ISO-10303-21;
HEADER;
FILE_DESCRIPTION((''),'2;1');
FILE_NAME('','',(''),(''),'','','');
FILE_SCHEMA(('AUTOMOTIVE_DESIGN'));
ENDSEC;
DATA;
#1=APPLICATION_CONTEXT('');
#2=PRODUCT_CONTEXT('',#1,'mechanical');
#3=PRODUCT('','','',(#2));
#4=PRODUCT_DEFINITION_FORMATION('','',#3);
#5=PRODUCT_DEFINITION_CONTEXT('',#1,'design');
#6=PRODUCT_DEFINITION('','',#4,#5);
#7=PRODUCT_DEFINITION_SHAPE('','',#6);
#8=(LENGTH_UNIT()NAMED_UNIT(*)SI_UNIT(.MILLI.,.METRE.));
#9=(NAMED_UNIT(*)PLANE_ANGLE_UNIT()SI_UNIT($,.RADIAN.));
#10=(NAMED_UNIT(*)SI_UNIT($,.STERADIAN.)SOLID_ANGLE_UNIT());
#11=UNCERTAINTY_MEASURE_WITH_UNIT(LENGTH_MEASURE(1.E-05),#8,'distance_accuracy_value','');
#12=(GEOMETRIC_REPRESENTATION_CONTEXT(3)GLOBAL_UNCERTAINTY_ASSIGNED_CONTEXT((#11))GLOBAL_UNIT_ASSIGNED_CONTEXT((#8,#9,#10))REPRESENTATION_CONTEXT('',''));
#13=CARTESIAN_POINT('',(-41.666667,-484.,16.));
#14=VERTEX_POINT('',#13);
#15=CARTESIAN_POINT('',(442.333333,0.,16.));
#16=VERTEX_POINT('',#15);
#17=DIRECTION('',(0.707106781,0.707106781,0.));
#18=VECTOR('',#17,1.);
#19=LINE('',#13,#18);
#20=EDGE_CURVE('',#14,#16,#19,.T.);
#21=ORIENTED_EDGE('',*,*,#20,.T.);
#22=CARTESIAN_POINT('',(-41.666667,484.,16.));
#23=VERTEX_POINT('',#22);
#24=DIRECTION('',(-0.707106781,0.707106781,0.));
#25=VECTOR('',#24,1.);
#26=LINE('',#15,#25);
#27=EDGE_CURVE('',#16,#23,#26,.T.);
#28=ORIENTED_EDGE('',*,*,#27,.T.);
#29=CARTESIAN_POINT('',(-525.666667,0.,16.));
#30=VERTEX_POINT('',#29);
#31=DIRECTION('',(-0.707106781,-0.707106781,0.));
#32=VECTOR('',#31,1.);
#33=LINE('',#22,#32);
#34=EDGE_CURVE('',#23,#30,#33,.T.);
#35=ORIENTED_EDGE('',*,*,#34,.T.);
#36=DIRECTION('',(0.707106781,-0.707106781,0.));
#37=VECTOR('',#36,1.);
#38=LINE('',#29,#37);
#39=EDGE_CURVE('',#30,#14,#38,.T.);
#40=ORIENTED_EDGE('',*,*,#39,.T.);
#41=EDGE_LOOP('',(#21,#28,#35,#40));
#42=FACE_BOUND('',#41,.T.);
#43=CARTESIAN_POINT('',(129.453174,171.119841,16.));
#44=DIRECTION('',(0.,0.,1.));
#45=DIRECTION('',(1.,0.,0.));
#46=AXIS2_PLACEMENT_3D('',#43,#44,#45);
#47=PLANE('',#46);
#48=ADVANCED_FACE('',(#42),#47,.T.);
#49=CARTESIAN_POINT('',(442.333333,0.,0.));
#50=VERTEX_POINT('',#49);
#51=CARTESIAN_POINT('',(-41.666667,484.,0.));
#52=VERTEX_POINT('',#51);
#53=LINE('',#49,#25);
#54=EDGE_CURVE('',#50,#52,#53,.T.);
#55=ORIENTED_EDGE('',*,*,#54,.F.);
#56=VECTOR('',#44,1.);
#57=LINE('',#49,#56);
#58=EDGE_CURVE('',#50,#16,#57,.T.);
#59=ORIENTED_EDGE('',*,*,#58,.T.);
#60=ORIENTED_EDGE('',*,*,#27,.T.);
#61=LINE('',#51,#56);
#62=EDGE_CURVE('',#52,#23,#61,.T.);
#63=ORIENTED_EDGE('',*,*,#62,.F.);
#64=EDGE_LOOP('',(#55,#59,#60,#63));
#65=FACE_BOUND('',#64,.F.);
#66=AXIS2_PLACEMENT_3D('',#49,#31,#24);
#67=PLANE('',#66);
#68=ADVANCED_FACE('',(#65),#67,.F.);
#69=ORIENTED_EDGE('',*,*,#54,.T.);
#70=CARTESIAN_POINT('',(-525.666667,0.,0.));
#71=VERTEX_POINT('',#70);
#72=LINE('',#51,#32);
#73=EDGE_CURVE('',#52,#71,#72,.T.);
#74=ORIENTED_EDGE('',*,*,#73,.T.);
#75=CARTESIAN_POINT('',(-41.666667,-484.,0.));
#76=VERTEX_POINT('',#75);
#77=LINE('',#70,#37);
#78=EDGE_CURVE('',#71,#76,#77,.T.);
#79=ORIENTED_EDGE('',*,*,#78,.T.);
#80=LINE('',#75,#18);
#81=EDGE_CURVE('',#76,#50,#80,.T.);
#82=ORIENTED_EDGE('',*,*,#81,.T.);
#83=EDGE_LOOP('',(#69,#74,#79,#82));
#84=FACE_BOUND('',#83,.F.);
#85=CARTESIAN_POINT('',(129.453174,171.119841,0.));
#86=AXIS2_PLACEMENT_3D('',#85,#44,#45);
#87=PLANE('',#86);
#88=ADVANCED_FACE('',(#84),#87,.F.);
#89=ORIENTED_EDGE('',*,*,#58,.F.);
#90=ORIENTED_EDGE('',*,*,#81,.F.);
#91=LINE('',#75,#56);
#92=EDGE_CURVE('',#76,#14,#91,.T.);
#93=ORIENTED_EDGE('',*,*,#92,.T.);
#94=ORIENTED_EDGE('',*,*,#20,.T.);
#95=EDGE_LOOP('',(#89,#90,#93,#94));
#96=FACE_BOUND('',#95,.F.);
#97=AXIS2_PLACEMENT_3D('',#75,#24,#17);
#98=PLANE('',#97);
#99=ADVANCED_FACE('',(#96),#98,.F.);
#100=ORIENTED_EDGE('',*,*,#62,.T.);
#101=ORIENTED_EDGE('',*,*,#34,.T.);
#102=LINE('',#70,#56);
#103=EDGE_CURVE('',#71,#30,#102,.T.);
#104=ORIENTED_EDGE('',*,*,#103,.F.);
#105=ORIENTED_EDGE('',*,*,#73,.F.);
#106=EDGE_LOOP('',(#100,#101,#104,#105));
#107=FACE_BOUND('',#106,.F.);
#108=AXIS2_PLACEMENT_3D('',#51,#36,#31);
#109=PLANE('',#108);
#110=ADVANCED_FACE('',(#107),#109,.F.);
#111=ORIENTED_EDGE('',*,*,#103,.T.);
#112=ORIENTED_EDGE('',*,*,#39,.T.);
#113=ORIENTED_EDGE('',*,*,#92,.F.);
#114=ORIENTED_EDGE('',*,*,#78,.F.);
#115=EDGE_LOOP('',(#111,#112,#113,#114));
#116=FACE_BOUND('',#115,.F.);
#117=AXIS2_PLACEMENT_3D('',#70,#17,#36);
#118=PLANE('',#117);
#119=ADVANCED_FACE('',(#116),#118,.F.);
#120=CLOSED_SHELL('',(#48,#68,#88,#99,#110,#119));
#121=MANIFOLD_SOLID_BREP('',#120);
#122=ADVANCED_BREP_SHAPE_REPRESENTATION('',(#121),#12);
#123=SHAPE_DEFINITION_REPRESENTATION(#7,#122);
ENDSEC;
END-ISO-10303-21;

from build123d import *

# Parameters (mm, degrees)
F1_DEPTH = 16


with BuildPart() as f1:
    # F0 (on Top) → F1 (new body)
    with BuildSketch(Plane.XY):
        Polygon((-41.666667, 0), (442.333333, 0), (-41.666667, 484), align=None)
        Polygon((-41.666667, 0), (-41.666667, 484), (-525.666667, 0), align=None)
        Polygon((-525.666667, 0), (-41.666667, -484), (-41.666667, 0), align=None)
        Polygon((-41.666667, -484), (442.333333, 0), (-41.666667, 0), align=None)
    extrude(amount=F1_DEPTH)


solid = f1.part
